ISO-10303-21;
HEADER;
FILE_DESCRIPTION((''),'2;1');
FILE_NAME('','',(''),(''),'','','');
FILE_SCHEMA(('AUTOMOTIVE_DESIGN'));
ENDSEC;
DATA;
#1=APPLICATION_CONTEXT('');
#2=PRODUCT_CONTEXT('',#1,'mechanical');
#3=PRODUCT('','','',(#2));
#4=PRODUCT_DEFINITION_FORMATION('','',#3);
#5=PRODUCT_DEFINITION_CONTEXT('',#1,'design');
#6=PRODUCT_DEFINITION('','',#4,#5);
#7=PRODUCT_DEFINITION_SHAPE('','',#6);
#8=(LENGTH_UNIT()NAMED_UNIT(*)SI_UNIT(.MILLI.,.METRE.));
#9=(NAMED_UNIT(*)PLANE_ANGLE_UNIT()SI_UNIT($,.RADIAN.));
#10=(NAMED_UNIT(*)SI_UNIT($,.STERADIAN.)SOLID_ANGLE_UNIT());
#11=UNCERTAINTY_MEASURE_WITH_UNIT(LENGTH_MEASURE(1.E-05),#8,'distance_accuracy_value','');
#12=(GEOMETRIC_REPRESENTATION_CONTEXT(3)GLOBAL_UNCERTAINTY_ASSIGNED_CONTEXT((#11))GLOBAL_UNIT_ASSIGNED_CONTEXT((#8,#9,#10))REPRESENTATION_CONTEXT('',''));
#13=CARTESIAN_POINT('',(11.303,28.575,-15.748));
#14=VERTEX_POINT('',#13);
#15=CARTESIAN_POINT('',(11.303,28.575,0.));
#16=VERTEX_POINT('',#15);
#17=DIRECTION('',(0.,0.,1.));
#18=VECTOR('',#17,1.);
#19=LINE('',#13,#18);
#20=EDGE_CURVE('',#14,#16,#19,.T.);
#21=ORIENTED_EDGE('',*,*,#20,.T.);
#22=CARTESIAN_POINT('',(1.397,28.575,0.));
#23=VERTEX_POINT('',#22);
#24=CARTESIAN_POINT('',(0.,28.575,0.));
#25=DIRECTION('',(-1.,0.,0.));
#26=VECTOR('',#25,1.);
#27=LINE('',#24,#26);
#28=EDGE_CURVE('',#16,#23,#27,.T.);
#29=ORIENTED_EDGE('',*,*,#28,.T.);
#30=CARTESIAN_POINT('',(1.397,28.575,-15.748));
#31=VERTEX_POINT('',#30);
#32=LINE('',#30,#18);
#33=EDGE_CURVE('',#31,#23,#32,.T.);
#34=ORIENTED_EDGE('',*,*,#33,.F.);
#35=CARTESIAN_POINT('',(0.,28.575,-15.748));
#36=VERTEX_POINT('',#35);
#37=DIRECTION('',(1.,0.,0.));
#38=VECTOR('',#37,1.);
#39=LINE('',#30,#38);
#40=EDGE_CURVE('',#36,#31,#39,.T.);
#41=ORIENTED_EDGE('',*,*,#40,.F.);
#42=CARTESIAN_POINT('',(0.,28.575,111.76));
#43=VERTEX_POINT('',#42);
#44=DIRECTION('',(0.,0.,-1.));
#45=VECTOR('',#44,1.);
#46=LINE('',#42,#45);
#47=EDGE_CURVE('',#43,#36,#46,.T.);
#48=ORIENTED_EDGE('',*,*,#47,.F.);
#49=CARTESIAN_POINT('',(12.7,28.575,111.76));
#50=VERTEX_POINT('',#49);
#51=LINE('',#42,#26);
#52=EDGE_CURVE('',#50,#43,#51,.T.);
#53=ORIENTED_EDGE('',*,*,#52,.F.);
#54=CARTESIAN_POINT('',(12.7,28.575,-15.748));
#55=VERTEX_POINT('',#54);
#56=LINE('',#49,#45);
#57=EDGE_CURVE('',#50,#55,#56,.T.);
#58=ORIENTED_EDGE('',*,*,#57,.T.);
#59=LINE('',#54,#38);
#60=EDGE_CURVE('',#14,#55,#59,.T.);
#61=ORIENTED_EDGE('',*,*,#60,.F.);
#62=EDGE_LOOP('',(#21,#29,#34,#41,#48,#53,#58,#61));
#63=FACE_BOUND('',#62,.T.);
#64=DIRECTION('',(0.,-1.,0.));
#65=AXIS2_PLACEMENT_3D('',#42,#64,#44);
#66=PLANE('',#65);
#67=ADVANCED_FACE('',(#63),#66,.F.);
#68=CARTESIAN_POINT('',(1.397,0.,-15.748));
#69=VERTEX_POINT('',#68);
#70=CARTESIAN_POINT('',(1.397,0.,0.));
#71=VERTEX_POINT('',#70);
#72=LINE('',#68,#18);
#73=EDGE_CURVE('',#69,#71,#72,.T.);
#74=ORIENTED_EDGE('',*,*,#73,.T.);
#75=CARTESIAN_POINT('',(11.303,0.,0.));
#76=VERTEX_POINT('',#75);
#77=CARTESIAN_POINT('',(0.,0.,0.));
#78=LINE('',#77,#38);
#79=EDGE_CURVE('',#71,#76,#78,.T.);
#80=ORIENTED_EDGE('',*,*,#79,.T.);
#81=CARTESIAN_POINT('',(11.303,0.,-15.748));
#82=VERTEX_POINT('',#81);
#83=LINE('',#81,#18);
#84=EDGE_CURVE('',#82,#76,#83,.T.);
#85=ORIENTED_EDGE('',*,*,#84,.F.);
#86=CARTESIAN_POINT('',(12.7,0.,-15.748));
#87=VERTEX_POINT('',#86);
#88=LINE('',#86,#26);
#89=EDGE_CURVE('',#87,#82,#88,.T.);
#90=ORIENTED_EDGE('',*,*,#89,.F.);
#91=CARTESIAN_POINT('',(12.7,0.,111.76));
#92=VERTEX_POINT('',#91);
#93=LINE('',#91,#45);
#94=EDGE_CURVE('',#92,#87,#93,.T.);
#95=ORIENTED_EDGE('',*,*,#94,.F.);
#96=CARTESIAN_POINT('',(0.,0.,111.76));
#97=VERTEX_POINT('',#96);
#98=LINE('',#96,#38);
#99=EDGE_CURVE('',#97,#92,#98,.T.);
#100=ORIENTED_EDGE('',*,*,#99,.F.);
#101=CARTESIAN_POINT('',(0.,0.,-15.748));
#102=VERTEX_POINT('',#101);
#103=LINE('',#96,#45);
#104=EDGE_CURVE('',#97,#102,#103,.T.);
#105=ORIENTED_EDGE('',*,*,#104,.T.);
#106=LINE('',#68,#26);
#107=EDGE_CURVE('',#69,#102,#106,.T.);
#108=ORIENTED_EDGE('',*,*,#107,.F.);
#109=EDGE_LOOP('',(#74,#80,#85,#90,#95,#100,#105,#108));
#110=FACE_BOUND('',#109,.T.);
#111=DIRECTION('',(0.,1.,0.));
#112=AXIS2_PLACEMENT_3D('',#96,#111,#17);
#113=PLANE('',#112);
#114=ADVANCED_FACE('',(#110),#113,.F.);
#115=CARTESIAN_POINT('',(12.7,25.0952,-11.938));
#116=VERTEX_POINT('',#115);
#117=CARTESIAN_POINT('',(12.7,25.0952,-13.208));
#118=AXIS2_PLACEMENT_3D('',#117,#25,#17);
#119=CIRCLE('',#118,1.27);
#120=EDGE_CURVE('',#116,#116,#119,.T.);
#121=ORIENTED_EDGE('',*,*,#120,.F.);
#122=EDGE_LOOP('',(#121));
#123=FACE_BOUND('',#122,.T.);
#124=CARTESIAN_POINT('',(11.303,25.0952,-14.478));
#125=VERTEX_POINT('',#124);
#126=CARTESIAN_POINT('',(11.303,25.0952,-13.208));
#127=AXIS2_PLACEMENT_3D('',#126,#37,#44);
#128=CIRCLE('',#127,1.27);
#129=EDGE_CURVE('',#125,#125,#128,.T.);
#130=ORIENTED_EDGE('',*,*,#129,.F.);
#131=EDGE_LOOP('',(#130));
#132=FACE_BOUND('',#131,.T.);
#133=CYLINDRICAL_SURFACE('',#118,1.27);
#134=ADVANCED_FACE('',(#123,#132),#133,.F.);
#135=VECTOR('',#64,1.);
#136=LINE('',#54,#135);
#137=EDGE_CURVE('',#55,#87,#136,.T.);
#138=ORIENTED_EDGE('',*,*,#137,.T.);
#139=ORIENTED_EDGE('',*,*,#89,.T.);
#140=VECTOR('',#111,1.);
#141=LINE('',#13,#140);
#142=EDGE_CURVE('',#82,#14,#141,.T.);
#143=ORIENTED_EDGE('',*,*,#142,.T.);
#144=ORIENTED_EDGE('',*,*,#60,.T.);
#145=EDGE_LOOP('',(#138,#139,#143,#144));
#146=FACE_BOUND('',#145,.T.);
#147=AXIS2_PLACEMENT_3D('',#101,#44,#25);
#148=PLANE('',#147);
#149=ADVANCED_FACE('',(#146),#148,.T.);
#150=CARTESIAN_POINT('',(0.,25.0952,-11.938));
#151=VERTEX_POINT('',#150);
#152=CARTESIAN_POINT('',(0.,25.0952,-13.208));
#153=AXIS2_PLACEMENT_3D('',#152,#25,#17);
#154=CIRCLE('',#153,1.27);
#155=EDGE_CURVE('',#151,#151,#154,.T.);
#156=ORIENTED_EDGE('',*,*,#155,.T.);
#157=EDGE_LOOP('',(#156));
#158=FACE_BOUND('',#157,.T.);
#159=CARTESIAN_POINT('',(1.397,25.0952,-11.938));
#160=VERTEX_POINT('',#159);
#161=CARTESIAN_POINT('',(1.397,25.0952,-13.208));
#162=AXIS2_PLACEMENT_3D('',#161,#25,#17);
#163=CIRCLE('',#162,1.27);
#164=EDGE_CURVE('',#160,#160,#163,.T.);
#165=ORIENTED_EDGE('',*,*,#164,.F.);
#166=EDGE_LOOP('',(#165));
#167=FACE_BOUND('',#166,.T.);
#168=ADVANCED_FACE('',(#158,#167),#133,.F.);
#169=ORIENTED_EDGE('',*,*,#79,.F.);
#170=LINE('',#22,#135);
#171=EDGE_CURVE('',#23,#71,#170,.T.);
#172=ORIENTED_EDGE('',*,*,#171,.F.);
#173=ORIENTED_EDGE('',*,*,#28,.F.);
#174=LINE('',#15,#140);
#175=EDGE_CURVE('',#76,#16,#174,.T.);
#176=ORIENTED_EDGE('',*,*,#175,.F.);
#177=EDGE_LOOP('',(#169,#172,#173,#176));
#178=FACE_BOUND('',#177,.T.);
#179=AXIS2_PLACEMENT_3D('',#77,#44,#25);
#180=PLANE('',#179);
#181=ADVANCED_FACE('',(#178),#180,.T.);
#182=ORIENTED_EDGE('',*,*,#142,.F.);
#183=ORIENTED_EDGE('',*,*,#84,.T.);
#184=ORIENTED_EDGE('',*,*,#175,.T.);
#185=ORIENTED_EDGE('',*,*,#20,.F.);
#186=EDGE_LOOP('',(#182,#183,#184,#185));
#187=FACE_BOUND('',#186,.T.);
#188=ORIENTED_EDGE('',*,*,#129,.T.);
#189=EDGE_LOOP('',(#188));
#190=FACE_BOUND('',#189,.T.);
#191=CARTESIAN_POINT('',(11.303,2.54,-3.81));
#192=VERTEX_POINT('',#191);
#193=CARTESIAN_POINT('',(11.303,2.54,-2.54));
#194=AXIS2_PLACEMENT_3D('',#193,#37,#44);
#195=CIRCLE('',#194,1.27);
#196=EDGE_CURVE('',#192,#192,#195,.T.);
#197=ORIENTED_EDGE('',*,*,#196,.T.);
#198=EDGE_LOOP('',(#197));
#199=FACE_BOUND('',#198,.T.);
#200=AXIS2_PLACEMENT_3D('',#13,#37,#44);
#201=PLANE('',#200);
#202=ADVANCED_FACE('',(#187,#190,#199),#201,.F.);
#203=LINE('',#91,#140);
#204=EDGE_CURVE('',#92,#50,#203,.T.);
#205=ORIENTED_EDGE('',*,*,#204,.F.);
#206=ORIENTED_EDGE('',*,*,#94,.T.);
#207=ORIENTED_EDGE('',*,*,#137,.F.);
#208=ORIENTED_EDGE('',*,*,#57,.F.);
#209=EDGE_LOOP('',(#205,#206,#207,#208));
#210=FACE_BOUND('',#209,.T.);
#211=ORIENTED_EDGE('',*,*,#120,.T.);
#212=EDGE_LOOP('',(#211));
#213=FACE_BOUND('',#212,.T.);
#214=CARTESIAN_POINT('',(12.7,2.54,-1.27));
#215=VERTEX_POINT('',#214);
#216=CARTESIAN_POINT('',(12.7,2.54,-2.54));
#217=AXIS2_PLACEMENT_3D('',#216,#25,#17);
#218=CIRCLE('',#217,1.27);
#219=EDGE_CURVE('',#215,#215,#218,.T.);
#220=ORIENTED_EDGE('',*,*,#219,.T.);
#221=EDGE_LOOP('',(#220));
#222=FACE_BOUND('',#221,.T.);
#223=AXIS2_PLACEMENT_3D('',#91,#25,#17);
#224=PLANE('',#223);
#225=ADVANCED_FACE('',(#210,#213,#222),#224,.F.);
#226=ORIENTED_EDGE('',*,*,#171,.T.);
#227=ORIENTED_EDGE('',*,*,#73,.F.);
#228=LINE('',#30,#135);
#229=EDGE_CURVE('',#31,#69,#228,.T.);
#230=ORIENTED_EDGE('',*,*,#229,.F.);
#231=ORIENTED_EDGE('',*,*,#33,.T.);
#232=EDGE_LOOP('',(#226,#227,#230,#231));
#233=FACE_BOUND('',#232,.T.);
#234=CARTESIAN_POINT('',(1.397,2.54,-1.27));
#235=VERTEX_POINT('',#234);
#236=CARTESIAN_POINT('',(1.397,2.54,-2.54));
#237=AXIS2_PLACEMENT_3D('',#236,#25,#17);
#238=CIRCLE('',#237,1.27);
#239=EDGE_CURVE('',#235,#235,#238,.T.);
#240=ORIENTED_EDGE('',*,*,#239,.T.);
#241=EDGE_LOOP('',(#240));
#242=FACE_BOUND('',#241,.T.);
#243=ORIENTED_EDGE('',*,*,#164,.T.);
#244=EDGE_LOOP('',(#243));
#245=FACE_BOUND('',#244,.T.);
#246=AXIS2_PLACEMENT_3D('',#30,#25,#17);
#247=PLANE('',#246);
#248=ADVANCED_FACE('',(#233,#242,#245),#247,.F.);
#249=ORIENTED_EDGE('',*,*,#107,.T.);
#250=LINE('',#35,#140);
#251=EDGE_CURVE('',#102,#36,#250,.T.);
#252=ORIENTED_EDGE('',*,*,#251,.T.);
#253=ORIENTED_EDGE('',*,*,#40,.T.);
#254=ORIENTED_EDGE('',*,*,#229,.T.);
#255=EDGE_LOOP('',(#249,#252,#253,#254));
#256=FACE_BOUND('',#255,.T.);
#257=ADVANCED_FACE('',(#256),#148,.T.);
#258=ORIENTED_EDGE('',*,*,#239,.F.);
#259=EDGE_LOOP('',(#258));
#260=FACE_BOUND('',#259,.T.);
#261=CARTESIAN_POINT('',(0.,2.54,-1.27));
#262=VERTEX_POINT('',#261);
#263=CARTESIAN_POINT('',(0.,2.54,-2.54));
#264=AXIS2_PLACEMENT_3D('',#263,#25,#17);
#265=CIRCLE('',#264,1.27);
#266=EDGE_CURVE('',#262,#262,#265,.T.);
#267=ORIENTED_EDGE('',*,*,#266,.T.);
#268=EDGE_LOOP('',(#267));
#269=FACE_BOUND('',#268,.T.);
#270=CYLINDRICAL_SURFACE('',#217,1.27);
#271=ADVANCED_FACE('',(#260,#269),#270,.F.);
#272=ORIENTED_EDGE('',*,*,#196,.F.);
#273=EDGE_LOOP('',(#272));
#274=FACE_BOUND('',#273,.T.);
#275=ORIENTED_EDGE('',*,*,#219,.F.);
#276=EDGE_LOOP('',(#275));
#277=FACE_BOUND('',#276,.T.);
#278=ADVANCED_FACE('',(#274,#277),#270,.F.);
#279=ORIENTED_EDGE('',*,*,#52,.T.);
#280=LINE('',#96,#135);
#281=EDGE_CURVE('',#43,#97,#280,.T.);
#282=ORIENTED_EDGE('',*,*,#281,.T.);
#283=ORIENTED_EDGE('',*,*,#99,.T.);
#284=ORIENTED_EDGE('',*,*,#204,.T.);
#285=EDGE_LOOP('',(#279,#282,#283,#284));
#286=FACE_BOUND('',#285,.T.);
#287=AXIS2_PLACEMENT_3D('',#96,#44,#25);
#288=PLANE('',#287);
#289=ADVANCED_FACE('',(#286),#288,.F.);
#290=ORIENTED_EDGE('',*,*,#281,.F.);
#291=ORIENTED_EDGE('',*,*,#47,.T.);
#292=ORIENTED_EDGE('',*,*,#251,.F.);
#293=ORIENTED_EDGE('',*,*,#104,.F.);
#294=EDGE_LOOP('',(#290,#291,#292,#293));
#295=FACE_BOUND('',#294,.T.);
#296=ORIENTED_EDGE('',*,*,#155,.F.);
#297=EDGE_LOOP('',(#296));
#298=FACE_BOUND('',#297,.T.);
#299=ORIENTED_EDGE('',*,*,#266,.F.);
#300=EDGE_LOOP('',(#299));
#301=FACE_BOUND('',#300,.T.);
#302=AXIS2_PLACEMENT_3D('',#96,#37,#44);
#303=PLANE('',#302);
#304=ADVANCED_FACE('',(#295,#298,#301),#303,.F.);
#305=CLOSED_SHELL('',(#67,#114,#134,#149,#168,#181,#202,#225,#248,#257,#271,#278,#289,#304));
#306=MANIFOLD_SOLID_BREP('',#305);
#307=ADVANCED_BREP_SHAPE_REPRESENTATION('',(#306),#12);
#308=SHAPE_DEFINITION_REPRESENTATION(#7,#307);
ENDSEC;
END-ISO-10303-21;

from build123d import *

# Parameters (mm, degrees)
SKETCH1_W               = 12.7
SKETCH1_H               = 28.575
BOSS_EXTRUDE1_DEPTH     = 111.76
SKETCH3_W               = 1.397
SKETCH3_H               = 28.575
BOSS_EXTRUDE3_DEPTH     = 15.748
SKETCH7_R               = 1.27
CUT_EXTRUDE3_DEPTH      = 1
CUT_EXTRUDE3_DEPTH_BACK = 13.7


with BuildPart() as part:
    # Sketch1 → Boss-Extrude1 (new body)
    with BuildSketch(Plane.XY):
        with Locations((6.35, 14.2875)):
            Rectangle(SKETCH1_W, SKETCH1_H)
    extrude(amount=BOSS_EXTRUDE1_DEPTH)

    # Sketch3 → Boss-Extrude3 (add)
    with BuildSketch(Plane(origin=(0, 0, 0), x_dir=(-1, 0, 0), z_dir=(0, 0, -1))):
        with Locations((-0.6985, 14.2875)):
            Rectangle(SKETCH3_W, SKETCH3_H)
        with Locations((-12.0015, 14.2875)):
            Rectangle(SKETCH3_W, SKETCH3_H)
    extrude(amount=BOSS_EXTRUDE3_DEPTH)

    # Sketch7 → Cut-Extrude3 (cut, two sides)
    with BuildSketch(Plane.ZY) as cut_extrude3_sk:
        with Locations((-13.208, 25.0952)):
            Circle(SKETCH7_R)
        with Locations((-2.54, 2.54)):
            Circle(SKETCH7_R)
    extrude(amount=CUT_EXTRUDE3_DEPTH, mode=Mode.SUBTRACT)
    extrude(cut_extrude3_sk.sketch, amount=-CUT_EXTRUDE3_DEPTH_BACK, mode=Mode.SUBTRACT)


solid = part.part
